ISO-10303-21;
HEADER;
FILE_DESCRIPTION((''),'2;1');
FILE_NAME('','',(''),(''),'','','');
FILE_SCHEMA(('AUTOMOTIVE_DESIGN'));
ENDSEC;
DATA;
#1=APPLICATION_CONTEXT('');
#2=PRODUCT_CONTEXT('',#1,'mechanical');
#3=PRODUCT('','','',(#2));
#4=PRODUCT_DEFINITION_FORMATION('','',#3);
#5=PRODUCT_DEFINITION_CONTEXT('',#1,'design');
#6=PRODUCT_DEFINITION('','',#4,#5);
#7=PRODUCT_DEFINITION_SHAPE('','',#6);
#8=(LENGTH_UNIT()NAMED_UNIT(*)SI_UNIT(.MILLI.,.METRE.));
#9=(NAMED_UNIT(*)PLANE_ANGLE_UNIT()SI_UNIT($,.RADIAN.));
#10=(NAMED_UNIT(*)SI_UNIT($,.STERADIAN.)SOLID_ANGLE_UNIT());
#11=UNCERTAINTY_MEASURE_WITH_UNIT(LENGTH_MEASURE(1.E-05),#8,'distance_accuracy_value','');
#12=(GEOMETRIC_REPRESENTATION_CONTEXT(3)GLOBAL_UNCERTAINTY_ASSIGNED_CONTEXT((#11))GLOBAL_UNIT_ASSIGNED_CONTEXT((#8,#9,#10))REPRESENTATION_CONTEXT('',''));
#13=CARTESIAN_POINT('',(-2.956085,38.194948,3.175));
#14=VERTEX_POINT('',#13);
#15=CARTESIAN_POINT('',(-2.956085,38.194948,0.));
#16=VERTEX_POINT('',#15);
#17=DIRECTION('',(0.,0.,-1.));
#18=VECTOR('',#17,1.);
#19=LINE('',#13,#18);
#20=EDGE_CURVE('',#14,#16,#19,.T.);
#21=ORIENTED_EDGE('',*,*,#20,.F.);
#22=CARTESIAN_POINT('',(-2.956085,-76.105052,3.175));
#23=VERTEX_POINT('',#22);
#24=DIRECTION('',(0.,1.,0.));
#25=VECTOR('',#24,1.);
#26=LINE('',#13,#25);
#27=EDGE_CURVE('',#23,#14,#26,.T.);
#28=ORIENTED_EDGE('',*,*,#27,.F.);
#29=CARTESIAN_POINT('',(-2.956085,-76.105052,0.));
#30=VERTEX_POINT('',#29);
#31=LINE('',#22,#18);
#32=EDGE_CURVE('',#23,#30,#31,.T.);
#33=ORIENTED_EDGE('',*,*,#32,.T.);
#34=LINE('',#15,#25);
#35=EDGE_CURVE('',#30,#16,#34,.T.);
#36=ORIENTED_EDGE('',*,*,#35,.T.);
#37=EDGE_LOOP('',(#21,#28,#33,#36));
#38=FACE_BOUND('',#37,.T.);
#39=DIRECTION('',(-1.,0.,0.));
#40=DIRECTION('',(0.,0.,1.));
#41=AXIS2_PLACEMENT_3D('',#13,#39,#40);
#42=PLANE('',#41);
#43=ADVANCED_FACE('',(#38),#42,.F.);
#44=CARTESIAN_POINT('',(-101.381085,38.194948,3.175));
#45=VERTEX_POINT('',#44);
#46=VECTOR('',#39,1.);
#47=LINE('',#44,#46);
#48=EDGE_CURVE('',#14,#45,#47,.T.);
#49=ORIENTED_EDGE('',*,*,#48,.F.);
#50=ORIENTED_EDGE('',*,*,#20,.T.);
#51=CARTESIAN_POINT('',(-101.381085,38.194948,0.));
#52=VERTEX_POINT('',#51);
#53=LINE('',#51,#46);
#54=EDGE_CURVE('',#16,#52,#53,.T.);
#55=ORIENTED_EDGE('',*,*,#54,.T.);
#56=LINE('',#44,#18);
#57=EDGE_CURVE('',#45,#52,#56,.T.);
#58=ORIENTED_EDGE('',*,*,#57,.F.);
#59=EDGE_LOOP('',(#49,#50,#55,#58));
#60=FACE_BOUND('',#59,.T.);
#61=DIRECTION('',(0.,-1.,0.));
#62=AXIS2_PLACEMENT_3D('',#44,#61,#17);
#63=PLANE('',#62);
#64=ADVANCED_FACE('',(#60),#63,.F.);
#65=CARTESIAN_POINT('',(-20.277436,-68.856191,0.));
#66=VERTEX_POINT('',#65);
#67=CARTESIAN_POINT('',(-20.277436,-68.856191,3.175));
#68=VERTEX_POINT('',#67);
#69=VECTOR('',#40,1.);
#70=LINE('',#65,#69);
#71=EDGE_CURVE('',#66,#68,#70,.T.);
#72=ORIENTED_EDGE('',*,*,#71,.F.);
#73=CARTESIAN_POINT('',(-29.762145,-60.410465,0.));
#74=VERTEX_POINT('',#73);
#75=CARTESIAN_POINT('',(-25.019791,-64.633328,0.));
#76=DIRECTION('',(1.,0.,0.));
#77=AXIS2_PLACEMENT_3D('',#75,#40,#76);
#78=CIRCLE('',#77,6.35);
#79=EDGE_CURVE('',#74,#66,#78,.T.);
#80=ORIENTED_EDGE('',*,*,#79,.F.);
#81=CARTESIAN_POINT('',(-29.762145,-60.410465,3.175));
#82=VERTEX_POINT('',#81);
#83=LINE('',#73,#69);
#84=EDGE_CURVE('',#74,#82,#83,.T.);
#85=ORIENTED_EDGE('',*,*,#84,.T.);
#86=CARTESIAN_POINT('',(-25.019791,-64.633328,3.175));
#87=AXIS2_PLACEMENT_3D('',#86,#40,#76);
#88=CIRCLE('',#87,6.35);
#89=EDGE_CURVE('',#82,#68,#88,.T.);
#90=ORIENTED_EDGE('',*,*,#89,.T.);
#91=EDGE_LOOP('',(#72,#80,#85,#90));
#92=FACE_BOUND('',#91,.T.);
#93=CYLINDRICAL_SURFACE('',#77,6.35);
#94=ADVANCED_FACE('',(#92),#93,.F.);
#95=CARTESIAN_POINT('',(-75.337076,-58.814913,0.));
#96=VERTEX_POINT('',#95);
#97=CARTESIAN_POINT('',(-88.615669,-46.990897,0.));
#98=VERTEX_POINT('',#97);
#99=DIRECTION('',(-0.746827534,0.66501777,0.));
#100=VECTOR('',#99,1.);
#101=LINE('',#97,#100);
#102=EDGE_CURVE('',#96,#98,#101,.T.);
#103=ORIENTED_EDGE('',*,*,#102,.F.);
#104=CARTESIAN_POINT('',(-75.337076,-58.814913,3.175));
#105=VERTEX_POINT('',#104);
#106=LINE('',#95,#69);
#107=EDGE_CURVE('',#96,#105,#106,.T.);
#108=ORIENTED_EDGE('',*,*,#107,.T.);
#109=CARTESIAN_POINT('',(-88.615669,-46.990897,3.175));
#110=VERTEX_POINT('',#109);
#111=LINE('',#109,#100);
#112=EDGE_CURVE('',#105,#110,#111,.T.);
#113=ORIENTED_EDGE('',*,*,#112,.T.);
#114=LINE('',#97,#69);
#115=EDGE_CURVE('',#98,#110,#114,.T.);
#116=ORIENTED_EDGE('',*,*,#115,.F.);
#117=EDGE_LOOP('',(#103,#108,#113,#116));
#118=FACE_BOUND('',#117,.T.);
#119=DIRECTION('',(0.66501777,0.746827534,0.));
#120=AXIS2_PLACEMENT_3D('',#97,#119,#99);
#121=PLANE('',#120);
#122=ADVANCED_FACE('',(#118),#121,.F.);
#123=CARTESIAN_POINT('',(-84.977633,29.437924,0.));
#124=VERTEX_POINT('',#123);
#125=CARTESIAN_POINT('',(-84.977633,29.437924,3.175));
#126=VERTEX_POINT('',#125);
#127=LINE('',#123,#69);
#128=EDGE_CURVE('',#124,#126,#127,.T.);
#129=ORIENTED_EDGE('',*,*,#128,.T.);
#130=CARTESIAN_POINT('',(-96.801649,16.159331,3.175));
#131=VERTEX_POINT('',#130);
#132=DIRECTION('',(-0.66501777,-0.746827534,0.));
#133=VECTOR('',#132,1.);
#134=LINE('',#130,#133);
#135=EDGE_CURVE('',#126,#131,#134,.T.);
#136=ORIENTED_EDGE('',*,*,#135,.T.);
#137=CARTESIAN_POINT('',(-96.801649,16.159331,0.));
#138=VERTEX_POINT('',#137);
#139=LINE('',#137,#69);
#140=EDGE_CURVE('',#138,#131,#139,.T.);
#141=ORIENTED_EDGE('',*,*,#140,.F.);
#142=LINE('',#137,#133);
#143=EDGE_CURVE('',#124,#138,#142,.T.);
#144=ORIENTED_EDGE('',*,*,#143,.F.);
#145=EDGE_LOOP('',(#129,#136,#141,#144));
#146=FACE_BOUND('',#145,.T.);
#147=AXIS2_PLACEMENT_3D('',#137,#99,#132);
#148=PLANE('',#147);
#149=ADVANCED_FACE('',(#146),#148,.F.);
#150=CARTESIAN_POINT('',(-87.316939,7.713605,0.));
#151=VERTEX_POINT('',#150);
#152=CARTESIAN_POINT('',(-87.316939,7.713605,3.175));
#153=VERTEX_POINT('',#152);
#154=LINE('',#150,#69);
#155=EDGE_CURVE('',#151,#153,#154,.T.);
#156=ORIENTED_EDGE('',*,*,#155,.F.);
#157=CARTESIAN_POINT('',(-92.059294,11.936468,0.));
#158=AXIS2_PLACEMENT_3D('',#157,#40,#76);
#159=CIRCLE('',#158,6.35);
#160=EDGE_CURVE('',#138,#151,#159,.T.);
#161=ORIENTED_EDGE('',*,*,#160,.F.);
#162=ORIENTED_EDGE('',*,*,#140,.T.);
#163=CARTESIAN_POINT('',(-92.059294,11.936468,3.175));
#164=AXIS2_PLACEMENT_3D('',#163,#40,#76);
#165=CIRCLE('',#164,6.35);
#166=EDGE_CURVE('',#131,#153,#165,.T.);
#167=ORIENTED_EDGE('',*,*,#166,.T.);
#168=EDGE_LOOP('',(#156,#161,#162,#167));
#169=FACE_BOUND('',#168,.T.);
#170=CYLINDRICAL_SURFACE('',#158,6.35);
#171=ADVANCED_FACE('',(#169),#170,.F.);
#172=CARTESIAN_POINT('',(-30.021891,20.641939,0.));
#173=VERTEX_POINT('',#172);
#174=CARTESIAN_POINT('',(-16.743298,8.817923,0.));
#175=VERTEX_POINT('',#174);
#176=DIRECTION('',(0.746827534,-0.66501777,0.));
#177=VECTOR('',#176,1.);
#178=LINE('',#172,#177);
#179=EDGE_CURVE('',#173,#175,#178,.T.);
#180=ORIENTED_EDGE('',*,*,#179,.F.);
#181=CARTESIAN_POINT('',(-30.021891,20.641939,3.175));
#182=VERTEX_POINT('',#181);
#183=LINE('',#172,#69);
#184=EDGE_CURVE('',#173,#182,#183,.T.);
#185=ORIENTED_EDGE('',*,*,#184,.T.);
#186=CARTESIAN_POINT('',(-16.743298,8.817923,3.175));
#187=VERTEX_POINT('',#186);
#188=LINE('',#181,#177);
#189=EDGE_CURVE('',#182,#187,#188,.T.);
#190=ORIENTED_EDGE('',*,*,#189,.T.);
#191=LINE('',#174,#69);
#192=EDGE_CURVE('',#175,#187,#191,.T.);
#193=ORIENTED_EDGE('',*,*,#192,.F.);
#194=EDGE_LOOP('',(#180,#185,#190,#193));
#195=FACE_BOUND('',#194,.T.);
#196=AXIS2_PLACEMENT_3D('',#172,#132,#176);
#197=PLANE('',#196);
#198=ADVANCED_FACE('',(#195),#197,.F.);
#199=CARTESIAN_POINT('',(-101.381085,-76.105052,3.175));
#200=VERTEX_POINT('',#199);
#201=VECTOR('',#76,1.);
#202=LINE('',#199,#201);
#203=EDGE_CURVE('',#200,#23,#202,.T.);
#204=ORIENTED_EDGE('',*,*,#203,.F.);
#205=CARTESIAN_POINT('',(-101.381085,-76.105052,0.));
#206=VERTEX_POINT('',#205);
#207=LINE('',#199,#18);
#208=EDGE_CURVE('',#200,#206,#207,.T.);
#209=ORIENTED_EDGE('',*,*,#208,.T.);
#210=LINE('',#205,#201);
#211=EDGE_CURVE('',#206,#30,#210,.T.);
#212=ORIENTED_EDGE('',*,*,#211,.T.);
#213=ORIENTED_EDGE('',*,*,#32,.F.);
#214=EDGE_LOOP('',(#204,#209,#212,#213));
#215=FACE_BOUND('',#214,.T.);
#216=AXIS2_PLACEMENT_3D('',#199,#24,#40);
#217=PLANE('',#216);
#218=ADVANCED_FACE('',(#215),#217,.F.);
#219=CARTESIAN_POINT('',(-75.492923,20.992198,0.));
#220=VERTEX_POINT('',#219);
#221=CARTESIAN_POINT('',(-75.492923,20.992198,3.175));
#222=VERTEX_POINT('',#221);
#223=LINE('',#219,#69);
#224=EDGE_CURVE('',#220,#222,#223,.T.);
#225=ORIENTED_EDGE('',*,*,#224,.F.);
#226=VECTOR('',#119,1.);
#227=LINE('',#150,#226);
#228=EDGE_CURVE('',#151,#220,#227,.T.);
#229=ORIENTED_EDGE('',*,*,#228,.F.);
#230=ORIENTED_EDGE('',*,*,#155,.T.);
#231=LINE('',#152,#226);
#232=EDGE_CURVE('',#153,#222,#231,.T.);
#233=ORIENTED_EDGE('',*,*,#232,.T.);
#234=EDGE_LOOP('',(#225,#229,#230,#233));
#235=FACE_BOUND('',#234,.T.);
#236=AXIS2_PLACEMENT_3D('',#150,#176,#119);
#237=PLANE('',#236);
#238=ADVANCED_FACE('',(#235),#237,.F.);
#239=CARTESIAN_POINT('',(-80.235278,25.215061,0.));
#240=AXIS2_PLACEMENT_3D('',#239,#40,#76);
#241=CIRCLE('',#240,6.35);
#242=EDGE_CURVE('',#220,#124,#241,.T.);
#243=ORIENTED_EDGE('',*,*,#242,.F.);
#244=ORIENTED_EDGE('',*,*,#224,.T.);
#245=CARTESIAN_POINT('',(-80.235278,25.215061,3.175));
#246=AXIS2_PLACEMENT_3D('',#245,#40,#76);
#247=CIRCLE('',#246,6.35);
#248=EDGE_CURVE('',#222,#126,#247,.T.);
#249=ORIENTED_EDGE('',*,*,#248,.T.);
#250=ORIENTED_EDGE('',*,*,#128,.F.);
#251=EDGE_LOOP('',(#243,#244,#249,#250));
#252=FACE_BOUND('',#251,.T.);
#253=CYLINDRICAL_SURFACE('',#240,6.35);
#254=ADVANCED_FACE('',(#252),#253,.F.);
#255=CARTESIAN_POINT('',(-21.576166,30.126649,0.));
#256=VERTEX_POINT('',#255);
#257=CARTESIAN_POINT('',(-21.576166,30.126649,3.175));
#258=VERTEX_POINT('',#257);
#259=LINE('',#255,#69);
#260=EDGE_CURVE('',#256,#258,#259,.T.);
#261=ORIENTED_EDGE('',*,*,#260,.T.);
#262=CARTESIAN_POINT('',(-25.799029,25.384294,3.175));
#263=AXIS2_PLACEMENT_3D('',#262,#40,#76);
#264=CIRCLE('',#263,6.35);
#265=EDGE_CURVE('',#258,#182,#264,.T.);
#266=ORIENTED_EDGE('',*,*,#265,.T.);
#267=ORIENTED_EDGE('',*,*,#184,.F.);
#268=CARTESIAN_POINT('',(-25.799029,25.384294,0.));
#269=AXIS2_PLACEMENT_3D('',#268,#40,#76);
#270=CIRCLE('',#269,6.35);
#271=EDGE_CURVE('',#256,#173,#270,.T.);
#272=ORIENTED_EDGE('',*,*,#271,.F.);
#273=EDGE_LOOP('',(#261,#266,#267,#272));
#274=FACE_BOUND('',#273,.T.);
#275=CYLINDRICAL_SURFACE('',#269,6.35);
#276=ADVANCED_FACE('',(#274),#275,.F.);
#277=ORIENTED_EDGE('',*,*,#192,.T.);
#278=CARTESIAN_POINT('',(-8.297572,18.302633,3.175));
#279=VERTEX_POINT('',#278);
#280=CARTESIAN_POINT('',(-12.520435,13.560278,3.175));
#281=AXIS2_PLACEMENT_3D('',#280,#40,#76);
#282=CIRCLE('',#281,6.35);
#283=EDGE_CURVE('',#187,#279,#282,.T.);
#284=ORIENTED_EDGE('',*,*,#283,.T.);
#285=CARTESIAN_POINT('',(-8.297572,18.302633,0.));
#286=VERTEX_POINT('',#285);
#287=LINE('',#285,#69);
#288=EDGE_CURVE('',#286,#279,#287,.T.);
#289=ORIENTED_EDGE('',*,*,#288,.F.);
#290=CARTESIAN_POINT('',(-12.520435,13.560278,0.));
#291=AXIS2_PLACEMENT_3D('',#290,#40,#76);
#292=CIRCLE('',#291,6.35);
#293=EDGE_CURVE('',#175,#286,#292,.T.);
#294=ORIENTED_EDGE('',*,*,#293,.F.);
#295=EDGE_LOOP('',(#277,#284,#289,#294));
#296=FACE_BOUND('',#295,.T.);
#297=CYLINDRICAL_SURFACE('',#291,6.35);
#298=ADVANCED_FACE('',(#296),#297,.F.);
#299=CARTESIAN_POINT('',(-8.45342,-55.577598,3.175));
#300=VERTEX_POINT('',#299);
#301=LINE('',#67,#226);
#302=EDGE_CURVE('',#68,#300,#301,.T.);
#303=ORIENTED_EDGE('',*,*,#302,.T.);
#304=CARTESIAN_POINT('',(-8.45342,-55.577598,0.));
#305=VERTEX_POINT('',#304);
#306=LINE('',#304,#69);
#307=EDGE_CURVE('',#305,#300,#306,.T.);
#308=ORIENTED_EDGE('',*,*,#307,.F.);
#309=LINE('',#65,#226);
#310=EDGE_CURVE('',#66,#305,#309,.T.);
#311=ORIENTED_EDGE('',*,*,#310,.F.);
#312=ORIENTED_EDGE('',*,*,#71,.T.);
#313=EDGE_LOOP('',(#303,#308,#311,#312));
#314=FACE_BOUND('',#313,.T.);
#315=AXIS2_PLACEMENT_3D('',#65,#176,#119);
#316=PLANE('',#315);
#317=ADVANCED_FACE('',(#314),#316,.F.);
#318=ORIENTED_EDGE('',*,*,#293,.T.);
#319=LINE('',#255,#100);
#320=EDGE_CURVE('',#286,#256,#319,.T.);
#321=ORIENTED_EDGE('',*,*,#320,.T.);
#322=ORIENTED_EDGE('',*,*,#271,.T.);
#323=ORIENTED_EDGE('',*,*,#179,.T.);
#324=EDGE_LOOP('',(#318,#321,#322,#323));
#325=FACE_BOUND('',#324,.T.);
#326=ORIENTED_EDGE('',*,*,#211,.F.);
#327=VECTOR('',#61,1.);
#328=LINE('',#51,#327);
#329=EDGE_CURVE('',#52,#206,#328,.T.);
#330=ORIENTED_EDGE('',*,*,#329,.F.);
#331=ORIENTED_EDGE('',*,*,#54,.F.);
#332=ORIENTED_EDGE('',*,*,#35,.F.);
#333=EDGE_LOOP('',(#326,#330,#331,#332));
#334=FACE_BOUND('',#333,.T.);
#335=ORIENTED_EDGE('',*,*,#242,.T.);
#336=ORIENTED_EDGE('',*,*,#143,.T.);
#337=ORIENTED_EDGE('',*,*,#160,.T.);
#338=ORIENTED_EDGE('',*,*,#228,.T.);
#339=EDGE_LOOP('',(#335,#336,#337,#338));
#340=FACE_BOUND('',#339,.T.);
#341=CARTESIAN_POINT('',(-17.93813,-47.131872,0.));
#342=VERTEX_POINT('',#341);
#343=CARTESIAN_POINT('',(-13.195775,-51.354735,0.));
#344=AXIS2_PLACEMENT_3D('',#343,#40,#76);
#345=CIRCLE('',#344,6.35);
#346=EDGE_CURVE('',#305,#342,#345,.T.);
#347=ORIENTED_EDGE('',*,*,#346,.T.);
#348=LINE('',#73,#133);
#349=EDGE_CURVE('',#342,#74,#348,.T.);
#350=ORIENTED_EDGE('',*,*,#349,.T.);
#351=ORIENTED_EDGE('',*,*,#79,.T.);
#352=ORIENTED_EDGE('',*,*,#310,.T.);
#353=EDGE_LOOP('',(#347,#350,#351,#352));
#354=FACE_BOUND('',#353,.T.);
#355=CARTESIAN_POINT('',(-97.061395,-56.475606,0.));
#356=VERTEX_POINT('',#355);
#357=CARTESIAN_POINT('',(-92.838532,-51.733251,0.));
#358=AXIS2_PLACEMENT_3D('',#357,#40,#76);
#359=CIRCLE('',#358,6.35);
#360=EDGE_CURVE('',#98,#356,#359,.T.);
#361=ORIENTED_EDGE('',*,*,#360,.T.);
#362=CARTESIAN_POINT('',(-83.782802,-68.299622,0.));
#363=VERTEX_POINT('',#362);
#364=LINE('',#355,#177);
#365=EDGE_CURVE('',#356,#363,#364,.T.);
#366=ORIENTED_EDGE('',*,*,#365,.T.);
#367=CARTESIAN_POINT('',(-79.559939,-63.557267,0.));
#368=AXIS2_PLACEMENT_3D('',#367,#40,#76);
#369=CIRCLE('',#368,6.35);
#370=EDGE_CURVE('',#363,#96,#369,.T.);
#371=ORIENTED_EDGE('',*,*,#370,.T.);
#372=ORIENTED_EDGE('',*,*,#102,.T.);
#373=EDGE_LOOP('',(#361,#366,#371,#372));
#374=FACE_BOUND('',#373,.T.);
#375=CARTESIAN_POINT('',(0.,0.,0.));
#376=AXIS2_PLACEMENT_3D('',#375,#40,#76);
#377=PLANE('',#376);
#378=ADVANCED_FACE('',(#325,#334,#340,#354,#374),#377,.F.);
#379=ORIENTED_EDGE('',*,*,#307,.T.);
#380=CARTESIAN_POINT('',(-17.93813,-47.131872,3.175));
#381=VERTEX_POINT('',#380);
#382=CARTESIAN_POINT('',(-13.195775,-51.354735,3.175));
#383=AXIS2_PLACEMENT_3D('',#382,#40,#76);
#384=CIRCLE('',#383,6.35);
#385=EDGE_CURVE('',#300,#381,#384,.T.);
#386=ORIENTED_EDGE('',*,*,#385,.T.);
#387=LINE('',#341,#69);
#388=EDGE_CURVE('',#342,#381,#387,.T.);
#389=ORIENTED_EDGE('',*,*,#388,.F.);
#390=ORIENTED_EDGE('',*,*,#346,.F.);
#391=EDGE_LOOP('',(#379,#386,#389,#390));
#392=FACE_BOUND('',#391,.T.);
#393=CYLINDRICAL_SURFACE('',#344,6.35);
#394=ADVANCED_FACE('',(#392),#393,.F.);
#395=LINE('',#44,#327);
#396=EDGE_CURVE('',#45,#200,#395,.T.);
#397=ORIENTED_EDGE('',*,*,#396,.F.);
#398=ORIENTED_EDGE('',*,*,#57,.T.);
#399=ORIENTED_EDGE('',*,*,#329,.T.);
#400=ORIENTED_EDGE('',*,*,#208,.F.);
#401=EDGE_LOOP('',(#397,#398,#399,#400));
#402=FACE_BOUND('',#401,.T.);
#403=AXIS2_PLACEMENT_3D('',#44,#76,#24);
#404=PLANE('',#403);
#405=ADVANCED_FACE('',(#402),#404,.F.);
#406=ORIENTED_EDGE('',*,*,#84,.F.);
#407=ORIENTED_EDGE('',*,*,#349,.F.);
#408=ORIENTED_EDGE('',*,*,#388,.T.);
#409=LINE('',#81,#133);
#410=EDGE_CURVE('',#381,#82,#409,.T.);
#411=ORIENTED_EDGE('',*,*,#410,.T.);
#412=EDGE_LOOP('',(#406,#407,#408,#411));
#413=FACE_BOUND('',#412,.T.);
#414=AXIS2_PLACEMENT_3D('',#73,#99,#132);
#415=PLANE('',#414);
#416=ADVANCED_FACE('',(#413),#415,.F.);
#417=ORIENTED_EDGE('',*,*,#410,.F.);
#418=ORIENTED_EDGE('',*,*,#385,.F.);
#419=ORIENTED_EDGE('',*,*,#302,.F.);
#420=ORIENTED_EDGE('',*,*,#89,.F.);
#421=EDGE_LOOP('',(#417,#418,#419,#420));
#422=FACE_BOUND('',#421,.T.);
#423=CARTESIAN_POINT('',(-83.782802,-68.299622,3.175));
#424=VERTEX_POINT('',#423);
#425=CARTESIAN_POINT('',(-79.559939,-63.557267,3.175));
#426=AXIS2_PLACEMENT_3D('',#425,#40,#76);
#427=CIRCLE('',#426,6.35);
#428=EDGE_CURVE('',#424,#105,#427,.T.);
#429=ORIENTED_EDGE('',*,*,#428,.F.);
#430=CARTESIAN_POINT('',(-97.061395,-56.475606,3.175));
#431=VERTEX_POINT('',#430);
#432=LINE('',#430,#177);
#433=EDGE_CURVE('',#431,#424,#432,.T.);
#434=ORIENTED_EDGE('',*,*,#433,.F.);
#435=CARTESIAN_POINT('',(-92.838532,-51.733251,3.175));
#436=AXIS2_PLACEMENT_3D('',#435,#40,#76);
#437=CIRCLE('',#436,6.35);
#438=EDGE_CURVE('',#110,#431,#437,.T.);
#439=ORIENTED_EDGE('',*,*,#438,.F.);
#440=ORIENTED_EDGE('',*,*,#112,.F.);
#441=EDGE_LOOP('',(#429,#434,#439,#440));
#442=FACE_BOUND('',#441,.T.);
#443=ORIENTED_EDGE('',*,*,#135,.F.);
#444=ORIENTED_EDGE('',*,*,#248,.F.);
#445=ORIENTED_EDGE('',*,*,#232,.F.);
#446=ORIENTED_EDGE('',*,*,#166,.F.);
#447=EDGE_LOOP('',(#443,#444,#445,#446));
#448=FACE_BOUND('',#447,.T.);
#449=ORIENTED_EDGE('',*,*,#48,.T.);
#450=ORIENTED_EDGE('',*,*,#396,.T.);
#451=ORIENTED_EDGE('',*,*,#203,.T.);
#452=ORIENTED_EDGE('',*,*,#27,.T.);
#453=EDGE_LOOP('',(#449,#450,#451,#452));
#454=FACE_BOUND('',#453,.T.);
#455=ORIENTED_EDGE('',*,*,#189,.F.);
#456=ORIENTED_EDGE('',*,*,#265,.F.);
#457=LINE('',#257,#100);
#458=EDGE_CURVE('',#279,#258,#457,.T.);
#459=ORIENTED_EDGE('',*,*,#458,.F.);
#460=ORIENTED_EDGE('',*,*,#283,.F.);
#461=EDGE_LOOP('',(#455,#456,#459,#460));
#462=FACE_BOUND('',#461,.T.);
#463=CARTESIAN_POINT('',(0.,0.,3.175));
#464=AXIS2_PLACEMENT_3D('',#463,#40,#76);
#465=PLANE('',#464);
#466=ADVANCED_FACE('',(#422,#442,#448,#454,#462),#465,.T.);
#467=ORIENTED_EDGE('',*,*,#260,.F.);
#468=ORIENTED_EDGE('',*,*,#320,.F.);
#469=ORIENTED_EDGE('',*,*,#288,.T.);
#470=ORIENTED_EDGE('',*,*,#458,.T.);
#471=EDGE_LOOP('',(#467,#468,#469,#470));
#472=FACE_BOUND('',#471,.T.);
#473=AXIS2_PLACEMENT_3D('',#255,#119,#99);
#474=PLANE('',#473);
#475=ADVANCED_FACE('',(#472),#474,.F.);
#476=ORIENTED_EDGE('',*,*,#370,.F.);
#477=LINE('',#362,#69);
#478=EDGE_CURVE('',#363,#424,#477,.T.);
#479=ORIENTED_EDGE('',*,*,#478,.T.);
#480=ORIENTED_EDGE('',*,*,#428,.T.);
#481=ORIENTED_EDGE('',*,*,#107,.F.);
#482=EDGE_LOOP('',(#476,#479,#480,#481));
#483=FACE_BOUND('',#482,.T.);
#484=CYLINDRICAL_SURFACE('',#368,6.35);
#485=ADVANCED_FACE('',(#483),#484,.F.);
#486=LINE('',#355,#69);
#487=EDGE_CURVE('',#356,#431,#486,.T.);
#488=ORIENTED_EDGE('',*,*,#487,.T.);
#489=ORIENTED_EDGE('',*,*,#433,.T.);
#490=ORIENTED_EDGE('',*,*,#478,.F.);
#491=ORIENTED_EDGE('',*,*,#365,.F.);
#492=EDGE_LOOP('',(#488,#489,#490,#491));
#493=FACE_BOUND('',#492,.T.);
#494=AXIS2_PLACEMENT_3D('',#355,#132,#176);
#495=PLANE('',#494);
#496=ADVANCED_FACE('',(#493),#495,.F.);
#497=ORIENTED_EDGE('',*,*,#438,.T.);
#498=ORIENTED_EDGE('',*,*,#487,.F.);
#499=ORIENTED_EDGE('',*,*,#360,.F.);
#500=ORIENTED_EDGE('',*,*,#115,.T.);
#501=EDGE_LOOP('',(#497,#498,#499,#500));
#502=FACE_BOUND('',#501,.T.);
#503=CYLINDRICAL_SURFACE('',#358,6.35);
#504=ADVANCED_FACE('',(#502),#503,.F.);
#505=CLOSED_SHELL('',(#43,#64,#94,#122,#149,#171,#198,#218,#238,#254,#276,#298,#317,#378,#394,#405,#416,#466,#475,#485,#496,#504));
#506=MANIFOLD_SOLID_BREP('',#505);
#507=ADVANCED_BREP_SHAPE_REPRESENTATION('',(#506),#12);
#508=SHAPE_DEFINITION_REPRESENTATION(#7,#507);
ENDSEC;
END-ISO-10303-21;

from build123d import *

# Parameters (mm, degrees)
FLAT_PLATE_W       = 98.425
FLAT_PLATE_H       = 114.3
CASTOR_PLATE_DEPTH = 3.175
CUT_EXTRUDE1_DEPTH = 3.175


with BuildPart() as part:
    # Flat Plate → Castor Plate (new body)
    with BuildSketch(Plane.XY):
        with Locations((-52.168585316, -18.955051946)):
            Rectangle(FLAT_PLATE_W, FLAT_PLATE_H)
    extrude(amount=CASTOR_PLATE_DEPTH)

    # Holes → Cut-Extrude1 (cut)
    with BuildSketch(Plane.XY.offset(3.175)):
        with BuildLine():
            Line((-96.801649102, 16.159330585), (-84.977633144, 29.437924132))
            ThreePointArc((-84.977633144, 29.437924132), (-76.012415463, 29.957416129), (-75.492923466, 20.992198448))
            Line((-75.492923466, 20.992198448), (-87.316939425, 7.7136049))
            ThreePointArc((-87.316939425, 7.7136049), (-96.282157106, 7.194112904), (-96.801649102, 16.159330585))
        make_face()
        with BuildLine():
            Line((-29.762145467, -60.410465456), (-17.938129508, -47.131871908))
            ThreePointArc((-17.938129508, -47.131871908), (-8.972911827, -46.612379911), (-8.453419831, -55.577597592))
            Line((-8.453419831, -55.577597592), (-20.27743579, -68.85619114))
            ThreePointArc((-20.27743579, -68.85619114), (-29.242653471, -69.375683136), (-29.762145467, -60.410465456))
        make_face()
        with BuildLine():
            Line((-88.615669415, -46.990896649), (-75.337075868, -58.814912608))
            ThreePointArc((-75.337075868, -58.814912608), (-74.817583871, -67.780130289), (-83.782801552, -68.299622285))
            Line((-83.782801552, -68.299622285), (-97.0613951, -56.475606326))
            ThreePointArc((-97.0613951, -56.475606326), (-97.580887096, -47.510388645), (-88.615669415, -46.990896649))
        make_face()
        with BuildLine():
            Line((-21.57616578, 30.126649102), (-8.297572232, 18.302633144))
            ThreePointArc((-8.297572232, 18.302633144), (-7.778080236, 9.337415463), (-16.743297917, 8.817923466))
            Line((-16.743297917, 8.817923466), (-30.021891465, 20.641939425))
            ThreePointArc((-30.021891465, 20.641939425), (-30.541383461, 29.607157106), (-21.57616578, 30.126649102))
        make_face()
    extrude(amount=-CUT_EXTRUDE1_DEPTH, mode=Mode.SUBTRACT)


solid = part.part
